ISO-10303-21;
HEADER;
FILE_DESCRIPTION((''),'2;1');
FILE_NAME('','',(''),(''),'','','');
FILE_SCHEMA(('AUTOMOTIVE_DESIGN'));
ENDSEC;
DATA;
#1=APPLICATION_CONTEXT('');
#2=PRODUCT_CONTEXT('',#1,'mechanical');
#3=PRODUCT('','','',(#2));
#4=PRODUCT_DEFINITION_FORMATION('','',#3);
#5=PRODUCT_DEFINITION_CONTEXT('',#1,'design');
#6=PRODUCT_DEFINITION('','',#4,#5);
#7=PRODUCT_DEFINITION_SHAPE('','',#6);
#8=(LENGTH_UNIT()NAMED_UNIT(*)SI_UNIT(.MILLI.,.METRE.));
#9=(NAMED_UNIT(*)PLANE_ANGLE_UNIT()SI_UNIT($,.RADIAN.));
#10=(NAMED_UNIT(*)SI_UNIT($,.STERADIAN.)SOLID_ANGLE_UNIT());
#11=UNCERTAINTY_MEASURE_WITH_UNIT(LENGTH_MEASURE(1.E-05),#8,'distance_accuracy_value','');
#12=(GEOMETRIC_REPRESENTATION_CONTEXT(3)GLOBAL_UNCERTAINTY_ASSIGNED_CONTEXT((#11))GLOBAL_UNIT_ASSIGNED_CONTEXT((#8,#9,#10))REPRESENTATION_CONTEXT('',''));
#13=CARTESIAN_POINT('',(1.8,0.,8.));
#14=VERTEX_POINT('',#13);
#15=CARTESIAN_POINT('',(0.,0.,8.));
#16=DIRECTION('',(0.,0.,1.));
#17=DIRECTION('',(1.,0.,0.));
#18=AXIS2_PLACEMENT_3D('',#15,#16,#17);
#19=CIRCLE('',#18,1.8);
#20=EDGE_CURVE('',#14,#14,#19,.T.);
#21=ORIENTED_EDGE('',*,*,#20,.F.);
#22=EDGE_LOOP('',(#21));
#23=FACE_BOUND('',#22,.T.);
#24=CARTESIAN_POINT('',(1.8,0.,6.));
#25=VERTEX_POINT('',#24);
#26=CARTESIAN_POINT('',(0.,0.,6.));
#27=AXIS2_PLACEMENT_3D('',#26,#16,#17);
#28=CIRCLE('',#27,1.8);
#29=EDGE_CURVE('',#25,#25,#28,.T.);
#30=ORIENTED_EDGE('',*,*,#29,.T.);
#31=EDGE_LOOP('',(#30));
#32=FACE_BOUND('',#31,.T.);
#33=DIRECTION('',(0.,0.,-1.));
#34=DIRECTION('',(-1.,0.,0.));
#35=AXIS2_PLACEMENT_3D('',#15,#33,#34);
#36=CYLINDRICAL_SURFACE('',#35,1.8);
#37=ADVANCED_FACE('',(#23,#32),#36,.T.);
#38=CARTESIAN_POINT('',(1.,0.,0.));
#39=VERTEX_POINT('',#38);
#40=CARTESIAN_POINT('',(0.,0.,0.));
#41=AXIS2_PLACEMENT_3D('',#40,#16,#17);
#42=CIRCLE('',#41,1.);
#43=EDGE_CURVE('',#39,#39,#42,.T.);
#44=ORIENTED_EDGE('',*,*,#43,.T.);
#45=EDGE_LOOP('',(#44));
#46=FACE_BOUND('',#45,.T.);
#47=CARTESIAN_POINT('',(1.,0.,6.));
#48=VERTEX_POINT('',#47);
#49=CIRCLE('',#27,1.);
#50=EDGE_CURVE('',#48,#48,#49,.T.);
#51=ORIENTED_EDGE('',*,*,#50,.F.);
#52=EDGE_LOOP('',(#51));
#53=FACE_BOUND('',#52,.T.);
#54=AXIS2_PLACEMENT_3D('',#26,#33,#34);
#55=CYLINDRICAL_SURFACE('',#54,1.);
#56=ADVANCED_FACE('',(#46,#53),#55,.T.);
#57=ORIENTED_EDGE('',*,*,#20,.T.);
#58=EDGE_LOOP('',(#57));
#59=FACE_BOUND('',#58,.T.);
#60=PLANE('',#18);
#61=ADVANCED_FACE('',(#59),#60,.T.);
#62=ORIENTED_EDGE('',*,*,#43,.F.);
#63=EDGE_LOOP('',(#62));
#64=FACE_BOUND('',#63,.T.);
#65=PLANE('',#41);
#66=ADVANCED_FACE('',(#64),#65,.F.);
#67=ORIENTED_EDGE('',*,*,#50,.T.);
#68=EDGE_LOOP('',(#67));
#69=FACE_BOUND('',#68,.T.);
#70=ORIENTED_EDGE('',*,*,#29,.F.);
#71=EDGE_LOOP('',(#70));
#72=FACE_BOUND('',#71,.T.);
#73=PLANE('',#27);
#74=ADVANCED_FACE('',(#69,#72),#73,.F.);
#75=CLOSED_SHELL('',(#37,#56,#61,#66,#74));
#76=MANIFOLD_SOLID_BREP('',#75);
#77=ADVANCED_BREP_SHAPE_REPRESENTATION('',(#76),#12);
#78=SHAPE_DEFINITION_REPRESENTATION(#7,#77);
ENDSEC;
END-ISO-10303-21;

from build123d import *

# Parameters (mm, degrees)
SKETCH_1_R       = 1
M2X6_DEPTH       = 6
EXTRUDE_START    = 6
SKETCH_2_R       = 1.8
EXTRUDE_M2_DEPTH = 2


with BuildPart() as part:
    # 草图1 → M2x6简化螺杆 (new body)
    with BuildSketch(Plane.XY):
        Circle(SKETCH_1_R)
    extrude(amount=M2X6_DEPTH)

    # 草图2 → M2简化螺钉头 (add)
    with BuildSketch(Plane.XY.offset(EXTRUDE_START)):
        Circle(SKETCH_2_R)
    extrude(amount=EXTRUDE_M2_DEPTH)


solid = part.part
